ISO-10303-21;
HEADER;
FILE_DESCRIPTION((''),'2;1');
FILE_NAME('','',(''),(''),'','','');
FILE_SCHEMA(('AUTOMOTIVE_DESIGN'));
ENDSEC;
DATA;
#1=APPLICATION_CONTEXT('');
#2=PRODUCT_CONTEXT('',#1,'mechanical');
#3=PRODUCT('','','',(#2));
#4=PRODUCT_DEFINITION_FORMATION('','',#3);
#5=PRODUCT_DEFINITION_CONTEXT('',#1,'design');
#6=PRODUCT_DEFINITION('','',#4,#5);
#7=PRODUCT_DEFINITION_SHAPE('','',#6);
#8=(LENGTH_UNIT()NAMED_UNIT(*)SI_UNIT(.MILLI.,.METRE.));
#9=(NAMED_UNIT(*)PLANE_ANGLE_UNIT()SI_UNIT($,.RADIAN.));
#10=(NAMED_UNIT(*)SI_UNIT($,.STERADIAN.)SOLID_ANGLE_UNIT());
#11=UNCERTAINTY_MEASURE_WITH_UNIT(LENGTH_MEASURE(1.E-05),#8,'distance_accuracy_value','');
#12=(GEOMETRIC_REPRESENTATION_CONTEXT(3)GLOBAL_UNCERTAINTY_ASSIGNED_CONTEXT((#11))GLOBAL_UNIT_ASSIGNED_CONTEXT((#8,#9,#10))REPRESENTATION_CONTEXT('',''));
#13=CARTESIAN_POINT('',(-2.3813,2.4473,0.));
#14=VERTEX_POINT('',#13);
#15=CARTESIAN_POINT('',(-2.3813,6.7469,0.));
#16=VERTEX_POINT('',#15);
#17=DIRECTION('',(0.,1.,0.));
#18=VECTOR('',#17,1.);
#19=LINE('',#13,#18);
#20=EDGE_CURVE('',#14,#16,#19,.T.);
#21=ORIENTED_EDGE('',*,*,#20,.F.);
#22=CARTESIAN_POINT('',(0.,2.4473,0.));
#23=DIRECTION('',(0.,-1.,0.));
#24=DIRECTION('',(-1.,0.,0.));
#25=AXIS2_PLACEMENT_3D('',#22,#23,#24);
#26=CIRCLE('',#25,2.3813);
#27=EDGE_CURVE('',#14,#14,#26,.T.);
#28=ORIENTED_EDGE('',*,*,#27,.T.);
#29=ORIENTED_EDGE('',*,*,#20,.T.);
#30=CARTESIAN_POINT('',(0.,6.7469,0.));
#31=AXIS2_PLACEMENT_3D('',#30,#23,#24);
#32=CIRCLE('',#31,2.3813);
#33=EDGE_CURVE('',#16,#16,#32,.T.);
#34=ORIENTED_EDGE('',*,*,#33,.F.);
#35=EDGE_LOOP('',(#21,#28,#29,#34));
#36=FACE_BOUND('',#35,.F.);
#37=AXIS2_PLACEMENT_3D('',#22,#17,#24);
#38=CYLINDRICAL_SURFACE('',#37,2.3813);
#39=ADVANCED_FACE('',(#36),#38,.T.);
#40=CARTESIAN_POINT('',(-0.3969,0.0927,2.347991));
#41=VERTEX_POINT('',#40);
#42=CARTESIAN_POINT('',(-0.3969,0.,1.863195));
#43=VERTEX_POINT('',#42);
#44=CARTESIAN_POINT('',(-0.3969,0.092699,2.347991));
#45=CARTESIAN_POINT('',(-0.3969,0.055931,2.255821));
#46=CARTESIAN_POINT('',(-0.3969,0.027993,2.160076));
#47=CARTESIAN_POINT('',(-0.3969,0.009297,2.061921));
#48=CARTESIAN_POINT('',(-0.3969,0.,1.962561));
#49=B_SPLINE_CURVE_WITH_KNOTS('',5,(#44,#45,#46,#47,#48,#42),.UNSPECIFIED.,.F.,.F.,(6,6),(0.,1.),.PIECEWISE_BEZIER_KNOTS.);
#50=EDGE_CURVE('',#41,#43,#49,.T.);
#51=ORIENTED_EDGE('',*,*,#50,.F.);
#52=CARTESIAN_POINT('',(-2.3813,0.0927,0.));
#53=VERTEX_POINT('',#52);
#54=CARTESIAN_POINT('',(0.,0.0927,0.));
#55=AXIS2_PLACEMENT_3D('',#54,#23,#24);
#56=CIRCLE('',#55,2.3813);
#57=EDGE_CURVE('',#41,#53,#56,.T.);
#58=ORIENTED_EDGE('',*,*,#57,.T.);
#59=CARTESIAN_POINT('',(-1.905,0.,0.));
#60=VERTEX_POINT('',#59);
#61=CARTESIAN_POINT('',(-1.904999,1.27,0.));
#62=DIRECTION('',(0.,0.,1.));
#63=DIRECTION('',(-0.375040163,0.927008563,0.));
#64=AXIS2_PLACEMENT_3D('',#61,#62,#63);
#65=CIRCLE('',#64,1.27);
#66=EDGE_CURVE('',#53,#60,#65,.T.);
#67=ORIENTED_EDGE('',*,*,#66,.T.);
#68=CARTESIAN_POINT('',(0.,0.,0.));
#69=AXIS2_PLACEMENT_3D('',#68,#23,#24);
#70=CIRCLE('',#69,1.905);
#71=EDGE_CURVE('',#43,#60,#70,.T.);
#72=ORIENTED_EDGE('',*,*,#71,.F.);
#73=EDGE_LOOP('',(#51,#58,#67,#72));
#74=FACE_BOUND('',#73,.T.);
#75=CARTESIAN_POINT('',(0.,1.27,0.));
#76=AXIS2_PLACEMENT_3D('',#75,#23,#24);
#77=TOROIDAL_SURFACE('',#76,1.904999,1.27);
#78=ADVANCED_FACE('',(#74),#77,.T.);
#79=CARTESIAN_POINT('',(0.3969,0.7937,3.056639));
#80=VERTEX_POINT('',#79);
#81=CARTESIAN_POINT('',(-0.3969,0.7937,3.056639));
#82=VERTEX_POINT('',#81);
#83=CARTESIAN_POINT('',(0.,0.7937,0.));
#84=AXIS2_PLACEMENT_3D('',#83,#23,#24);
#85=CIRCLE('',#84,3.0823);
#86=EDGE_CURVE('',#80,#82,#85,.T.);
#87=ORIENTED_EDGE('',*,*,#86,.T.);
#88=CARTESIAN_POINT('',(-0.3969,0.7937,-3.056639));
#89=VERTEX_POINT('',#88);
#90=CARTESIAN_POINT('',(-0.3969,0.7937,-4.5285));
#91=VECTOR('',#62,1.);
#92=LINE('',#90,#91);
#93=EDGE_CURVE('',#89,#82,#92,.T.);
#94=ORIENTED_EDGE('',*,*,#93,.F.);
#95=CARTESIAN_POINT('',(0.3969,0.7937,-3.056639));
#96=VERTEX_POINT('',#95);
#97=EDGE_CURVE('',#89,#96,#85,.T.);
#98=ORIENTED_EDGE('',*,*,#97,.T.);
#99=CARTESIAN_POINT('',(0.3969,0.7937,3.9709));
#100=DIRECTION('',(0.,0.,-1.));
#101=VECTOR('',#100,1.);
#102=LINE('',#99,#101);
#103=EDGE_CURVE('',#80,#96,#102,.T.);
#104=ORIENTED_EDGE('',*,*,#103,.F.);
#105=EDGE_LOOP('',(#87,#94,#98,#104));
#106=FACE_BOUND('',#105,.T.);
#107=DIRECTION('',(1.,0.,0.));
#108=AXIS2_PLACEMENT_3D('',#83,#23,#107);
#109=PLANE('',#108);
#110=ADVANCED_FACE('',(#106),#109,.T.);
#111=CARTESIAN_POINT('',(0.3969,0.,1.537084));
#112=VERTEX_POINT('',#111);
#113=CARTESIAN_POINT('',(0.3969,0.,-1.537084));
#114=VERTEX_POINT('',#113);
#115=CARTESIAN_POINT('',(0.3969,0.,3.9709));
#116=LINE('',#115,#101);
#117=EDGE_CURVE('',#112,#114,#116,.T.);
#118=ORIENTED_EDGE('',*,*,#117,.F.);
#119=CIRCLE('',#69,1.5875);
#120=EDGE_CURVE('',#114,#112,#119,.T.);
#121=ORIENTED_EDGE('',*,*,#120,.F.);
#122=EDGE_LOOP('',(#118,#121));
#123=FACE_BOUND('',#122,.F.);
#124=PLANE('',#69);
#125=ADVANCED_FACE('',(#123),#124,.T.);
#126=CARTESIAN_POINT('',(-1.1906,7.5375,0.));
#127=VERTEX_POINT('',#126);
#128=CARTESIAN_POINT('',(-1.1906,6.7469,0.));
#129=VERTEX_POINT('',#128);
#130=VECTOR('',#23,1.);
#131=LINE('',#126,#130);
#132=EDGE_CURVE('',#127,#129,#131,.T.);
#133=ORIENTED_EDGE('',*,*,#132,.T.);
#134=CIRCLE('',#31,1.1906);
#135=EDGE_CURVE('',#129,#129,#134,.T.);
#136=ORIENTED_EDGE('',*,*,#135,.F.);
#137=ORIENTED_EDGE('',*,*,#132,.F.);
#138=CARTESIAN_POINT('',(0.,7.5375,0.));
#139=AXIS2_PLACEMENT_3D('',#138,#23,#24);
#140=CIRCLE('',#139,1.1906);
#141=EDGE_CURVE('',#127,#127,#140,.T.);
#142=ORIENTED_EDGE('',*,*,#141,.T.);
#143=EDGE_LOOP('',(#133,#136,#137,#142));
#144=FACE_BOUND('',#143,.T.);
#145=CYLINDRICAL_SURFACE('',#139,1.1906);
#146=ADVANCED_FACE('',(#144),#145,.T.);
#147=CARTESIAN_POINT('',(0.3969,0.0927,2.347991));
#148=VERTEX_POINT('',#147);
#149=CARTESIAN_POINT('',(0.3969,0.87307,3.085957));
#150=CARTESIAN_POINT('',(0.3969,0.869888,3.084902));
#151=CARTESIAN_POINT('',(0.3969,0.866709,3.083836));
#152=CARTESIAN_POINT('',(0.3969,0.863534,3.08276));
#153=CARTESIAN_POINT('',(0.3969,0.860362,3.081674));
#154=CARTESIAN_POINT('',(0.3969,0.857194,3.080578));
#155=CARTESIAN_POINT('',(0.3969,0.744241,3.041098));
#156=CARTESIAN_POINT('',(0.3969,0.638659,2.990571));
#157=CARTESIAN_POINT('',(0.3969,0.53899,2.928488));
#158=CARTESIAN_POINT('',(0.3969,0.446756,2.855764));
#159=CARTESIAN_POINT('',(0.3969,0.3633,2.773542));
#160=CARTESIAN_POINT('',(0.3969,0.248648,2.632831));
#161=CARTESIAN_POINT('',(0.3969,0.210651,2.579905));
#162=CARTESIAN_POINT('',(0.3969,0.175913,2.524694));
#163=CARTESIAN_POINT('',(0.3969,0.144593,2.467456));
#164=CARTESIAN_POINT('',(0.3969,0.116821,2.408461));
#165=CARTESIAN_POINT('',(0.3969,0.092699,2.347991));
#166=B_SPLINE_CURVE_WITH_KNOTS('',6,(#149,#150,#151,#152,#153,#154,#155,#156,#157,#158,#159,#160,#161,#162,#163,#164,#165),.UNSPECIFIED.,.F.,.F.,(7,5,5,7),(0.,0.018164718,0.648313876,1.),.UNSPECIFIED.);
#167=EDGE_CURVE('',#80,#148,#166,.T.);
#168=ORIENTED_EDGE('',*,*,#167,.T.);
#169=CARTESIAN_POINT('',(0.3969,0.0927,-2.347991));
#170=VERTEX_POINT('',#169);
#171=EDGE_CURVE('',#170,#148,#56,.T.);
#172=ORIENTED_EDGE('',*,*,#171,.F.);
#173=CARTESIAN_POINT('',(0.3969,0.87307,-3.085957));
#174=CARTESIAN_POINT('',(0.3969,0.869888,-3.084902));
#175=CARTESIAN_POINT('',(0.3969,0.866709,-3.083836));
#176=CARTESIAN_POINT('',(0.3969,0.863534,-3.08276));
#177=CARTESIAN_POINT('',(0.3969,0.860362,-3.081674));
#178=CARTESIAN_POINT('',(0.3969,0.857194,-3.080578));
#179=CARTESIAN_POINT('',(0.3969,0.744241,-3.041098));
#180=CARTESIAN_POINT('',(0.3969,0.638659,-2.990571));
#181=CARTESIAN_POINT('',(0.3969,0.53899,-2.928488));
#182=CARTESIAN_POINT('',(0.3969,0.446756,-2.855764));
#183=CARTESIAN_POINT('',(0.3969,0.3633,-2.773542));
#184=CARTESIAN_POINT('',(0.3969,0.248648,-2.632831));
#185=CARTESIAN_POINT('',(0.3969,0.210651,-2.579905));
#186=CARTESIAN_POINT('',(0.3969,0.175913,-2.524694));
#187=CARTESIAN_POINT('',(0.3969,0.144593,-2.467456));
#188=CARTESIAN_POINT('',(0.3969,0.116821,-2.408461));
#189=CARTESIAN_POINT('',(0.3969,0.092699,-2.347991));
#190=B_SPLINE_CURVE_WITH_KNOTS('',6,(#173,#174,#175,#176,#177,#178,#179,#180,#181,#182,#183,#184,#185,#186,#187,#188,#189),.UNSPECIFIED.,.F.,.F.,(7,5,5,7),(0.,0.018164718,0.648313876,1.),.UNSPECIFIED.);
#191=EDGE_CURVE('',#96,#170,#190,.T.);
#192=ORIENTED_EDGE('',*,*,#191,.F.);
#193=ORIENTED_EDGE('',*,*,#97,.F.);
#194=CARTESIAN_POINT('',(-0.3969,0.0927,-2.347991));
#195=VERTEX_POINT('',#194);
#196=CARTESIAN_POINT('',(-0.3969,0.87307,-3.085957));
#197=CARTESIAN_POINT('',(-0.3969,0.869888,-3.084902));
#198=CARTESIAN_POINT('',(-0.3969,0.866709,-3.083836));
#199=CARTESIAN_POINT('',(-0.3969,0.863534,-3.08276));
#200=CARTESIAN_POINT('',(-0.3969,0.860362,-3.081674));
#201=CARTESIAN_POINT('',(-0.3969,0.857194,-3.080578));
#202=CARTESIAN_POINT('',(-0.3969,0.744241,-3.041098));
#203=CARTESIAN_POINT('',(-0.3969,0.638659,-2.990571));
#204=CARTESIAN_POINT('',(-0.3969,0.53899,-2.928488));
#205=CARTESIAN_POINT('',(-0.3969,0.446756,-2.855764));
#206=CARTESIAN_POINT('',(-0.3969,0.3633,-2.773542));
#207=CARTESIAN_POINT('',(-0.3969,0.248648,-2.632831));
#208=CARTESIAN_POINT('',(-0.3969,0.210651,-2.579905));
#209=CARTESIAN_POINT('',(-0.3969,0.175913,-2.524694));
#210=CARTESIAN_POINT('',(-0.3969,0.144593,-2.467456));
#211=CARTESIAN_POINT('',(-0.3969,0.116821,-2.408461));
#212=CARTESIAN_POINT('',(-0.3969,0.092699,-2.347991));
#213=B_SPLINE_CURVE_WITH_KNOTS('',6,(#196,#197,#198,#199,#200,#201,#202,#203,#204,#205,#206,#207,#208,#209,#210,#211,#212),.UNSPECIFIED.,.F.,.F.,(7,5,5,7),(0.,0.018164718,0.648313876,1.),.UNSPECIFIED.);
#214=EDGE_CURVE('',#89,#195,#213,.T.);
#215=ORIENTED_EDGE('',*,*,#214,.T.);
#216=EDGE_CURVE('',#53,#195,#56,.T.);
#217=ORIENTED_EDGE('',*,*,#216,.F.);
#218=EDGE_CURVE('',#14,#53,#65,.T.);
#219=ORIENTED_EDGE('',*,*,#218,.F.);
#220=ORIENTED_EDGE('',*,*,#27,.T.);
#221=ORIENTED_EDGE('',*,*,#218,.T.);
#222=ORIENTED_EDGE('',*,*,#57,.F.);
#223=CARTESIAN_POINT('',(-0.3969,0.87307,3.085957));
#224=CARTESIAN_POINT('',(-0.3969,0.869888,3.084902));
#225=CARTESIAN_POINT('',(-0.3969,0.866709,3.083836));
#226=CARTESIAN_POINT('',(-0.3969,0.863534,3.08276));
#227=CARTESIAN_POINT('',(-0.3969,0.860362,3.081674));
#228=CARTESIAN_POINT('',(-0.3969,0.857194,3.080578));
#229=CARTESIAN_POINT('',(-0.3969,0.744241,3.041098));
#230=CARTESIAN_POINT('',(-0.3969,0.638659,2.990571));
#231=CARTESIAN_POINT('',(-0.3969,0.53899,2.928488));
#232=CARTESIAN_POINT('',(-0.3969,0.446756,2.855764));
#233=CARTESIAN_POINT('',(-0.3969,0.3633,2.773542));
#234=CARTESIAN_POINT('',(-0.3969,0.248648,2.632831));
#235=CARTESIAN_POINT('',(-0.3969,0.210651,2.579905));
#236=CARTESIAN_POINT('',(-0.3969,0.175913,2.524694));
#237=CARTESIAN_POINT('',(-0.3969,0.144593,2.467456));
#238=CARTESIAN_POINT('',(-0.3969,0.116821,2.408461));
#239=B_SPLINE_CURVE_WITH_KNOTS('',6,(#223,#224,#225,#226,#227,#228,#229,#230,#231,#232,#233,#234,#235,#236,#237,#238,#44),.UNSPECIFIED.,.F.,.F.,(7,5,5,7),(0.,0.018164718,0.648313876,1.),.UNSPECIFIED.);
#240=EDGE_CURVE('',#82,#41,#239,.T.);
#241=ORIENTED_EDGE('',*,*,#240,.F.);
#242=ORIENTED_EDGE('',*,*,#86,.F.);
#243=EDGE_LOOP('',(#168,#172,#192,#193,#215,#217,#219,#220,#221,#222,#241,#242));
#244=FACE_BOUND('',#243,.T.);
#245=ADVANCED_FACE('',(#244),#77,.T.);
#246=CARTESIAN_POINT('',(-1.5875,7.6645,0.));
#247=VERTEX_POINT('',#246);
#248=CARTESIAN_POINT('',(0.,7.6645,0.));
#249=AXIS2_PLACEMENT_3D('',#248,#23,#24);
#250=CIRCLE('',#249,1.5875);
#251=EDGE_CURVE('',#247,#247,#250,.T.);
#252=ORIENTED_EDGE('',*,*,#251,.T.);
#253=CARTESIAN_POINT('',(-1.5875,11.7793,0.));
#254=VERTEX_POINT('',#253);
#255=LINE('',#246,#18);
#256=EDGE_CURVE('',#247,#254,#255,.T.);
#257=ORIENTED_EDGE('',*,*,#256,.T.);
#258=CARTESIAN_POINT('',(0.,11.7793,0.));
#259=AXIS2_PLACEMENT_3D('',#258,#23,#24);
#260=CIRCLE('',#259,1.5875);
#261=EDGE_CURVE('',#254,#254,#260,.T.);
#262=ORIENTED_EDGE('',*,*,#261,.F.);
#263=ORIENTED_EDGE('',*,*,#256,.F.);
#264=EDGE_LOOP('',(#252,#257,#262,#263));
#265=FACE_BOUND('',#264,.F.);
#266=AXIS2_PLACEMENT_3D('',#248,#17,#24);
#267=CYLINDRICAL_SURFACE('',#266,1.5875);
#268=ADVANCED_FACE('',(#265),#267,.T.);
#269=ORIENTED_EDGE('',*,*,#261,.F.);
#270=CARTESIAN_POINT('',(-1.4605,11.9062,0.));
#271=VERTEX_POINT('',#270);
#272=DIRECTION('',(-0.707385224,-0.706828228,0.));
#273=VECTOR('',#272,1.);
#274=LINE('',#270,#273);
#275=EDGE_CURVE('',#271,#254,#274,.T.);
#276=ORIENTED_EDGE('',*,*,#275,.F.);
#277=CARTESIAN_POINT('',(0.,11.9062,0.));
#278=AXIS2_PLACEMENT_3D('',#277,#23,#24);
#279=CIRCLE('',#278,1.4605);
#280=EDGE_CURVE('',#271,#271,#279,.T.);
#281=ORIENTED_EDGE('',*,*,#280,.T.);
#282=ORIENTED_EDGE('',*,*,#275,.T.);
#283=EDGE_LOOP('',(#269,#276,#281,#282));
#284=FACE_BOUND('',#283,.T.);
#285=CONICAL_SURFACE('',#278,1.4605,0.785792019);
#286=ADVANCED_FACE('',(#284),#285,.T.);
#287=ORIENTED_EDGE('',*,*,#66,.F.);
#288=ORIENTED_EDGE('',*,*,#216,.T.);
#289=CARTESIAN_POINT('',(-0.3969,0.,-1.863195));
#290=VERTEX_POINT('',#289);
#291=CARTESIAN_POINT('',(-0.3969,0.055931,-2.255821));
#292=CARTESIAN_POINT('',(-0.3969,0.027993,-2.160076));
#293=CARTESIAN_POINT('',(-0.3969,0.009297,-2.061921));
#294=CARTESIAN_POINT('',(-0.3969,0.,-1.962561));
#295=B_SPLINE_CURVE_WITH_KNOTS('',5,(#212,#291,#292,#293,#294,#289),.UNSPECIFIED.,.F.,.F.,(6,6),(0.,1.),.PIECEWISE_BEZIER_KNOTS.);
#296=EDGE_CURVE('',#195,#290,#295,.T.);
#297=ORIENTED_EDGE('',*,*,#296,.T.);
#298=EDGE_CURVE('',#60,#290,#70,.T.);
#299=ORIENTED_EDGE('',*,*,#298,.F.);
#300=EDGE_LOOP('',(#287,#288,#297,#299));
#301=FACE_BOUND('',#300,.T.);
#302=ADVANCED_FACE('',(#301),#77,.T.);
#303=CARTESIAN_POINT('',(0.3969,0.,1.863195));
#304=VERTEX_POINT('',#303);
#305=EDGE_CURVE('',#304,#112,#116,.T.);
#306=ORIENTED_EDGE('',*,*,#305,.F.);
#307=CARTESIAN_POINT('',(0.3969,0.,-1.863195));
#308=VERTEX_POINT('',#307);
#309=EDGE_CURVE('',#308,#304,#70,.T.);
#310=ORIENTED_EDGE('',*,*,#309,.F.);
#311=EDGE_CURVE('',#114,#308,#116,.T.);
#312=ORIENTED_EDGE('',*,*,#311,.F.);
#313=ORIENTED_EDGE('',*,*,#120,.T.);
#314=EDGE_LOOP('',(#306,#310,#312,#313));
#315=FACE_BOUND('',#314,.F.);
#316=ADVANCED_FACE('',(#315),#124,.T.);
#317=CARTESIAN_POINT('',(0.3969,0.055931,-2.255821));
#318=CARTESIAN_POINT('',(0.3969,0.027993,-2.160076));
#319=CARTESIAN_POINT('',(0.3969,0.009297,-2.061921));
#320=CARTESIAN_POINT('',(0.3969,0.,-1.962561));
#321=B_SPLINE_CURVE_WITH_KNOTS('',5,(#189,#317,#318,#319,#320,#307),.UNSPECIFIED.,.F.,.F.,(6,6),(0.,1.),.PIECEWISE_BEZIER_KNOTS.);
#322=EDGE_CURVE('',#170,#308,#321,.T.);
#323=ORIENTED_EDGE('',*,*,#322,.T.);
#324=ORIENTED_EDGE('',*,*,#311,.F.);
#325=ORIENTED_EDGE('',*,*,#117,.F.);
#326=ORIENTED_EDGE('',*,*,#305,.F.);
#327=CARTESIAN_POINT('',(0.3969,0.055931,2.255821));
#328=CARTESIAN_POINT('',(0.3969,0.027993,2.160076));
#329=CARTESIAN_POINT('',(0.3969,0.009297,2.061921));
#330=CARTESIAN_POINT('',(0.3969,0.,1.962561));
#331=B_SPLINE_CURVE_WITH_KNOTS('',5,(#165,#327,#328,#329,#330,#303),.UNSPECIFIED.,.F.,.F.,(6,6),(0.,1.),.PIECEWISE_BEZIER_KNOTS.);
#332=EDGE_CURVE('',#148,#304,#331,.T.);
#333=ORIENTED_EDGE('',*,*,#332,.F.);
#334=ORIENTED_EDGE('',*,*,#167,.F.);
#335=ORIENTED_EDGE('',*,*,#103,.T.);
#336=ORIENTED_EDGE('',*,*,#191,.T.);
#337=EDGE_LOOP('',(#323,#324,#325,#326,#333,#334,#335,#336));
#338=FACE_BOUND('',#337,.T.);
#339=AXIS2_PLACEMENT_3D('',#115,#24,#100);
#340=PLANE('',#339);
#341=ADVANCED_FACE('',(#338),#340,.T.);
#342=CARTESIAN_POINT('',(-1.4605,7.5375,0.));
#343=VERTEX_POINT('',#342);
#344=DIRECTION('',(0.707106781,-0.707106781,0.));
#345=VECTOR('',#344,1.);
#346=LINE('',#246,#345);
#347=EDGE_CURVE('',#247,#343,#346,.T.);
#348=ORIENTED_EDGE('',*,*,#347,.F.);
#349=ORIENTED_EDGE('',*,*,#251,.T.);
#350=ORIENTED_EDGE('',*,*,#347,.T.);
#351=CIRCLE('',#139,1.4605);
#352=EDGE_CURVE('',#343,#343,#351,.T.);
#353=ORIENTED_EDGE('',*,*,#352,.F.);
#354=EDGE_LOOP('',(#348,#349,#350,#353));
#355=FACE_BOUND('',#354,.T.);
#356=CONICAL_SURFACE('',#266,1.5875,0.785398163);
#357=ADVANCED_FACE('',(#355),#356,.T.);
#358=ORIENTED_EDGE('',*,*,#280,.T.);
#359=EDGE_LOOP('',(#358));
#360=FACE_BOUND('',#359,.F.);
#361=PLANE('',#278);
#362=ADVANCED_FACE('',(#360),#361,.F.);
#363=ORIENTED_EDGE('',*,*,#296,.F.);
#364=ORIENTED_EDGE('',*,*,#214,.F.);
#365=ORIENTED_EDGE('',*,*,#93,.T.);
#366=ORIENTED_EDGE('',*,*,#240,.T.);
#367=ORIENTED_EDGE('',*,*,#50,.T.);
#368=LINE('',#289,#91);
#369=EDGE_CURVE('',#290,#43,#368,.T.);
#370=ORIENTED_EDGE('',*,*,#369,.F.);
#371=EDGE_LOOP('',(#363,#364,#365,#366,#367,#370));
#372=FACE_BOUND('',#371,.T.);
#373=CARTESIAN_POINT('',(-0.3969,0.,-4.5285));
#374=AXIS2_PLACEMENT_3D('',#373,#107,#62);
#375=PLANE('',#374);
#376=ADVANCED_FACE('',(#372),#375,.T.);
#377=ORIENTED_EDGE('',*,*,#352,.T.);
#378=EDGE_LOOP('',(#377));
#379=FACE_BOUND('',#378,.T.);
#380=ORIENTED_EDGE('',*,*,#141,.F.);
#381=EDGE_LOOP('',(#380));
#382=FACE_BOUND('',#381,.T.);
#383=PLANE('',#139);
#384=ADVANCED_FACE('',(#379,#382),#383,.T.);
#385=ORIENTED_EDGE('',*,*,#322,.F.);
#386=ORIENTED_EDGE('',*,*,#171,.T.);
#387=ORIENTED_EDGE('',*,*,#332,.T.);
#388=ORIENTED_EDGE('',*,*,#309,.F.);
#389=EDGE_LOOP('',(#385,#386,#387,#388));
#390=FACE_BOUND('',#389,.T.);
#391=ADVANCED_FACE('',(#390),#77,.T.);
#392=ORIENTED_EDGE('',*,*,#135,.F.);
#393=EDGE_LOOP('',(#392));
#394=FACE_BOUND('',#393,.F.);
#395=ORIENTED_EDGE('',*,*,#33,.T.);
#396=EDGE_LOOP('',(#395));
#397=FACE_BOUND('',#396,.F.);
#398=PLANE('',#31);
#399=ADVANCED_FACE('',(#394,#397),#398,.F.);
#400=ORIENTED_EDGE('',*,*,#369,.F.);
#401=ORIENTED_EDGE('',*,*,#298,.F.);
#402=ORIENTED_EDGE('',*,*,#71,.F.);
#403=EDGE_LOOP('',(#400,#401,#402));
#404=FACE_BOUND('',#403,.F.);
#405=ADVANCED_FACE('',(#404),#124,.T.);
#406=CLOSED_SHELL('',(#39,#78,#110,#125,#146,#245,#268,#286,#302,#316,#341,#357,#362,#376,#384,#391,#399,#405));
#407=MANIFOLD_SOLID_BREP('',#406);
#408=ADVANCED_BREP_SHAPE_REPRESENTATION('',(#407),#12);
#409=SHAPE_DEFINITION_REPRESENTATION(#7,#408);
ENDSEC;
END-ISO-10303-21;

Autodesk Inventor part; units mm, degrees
ref_plane "YZ Plane" through (0, 0, 0) normal (1, 0, 0) x (0, 1, 0)
ref_plane "XZ Plane" through (0, 0, 0) normal (0, 1, 0) x (-1, 0, 0)
ref_plane "XY Plane" through (0, 0, 0) normal (0, 0, 1) x (1, 0, 0)
sketch "Boceto1" plane through (0, 0, 0) normal (0, 0, 1) x (1, 0, 0)
  line L0 (0, 0) -> (-1.5875, 0)
  line L1 (-1.4605, 11.9062) -> (0, 11.9062)
  line L2 (0, 11.9062) -> (0, 0)
  line L3 (-1.4605, 11.9062) -> (-1.5875, 11.7793)
  line L4 (-1.1906, 7.5375) -> (-1.1906, 6.7437)
  line L5 (-1.4605, 7.5375) -> (-1.1906, 7.5375)
  line L6 (-1.5875, 7.6645) -> (-1.5875, 11.7793)
  line L7 (-1.5875, 7.6645) -> (-1.4605, 7.5375)
  line L8 (0, 0) -> (-1.905, 0)
  line L9 (-2.3813, 6.7469) -> (-1.1906, 6.7469)
  line L10 (0, 6.7469) -> (0, 0)
  arc A0 (-2.3813, 2.4473) -> (-1.905, 0) centre (-1.905, 1.27) ccw
  line L11 (-2.3813, 0) -> (-2.3813, 0.0927)
  line L12 (-2.3813, 2.4473) -> (-2.3813, 6.7469)
  point P0 (-1.5875, 11.9062)
  point P1 (-1.5875, 7.5375)
  dimension "d0" = 1.5875
  dimension "d1" = 11.9062
  dimension "d2" = 0.127
  dimension "d3" = 0.127
  dimension "d5" = 0.7937
  dimension "d7" = 4.3688
  dimension "d8" = 0.127
  dimension "d9" = 0.127
  dimension "d10" = 2.3813
  dimension "d11" = 6.7469
  dimension "d12" = 2.54
  dimension "d13" = 1.27
  dimension "d14" = 1.905
revolve "Revolución1" add sketch "Boceto1" angle 360 about axis through (0, 11.9062, 0) along (0, -1, 0)
thread "Rosca1" size "5-40 UNC" class "2A" standard "ANSI Unified Screw Threads" full length
sketch "Boceto2" plane through (0, 0, 0) normal (0, -1, 0) x (1, 0, 0)
  line L0 (-0.3969, 3.9709) -> (0.3969, 3.9709)
  line L1 (0.3969, 3.9709) -> (0.3969, -4.5285)
  line L2 (0.3969, -4.5285) -> (-0.3969, -4.5285)
  line L3 (-0.3969, -4.5285) -> (-0.3969, 3.9709)
  point P0 (0, 0)
  dimension "d18" = 0.7937
  dimension "d19" = 0.3969
extrude "Extrusión1" cut sketch "Boceto2" against normal blind 0.7937
equation "\"d3\" = d2"
equation "\"d7\" = d4"
equation "\"d9\" = d8"
equation "\"d19\" = 0.5 * d18"
equation "\"d4\" = 4.3688"
properties part number "Crank Screw" material "Acero inoxidable"
